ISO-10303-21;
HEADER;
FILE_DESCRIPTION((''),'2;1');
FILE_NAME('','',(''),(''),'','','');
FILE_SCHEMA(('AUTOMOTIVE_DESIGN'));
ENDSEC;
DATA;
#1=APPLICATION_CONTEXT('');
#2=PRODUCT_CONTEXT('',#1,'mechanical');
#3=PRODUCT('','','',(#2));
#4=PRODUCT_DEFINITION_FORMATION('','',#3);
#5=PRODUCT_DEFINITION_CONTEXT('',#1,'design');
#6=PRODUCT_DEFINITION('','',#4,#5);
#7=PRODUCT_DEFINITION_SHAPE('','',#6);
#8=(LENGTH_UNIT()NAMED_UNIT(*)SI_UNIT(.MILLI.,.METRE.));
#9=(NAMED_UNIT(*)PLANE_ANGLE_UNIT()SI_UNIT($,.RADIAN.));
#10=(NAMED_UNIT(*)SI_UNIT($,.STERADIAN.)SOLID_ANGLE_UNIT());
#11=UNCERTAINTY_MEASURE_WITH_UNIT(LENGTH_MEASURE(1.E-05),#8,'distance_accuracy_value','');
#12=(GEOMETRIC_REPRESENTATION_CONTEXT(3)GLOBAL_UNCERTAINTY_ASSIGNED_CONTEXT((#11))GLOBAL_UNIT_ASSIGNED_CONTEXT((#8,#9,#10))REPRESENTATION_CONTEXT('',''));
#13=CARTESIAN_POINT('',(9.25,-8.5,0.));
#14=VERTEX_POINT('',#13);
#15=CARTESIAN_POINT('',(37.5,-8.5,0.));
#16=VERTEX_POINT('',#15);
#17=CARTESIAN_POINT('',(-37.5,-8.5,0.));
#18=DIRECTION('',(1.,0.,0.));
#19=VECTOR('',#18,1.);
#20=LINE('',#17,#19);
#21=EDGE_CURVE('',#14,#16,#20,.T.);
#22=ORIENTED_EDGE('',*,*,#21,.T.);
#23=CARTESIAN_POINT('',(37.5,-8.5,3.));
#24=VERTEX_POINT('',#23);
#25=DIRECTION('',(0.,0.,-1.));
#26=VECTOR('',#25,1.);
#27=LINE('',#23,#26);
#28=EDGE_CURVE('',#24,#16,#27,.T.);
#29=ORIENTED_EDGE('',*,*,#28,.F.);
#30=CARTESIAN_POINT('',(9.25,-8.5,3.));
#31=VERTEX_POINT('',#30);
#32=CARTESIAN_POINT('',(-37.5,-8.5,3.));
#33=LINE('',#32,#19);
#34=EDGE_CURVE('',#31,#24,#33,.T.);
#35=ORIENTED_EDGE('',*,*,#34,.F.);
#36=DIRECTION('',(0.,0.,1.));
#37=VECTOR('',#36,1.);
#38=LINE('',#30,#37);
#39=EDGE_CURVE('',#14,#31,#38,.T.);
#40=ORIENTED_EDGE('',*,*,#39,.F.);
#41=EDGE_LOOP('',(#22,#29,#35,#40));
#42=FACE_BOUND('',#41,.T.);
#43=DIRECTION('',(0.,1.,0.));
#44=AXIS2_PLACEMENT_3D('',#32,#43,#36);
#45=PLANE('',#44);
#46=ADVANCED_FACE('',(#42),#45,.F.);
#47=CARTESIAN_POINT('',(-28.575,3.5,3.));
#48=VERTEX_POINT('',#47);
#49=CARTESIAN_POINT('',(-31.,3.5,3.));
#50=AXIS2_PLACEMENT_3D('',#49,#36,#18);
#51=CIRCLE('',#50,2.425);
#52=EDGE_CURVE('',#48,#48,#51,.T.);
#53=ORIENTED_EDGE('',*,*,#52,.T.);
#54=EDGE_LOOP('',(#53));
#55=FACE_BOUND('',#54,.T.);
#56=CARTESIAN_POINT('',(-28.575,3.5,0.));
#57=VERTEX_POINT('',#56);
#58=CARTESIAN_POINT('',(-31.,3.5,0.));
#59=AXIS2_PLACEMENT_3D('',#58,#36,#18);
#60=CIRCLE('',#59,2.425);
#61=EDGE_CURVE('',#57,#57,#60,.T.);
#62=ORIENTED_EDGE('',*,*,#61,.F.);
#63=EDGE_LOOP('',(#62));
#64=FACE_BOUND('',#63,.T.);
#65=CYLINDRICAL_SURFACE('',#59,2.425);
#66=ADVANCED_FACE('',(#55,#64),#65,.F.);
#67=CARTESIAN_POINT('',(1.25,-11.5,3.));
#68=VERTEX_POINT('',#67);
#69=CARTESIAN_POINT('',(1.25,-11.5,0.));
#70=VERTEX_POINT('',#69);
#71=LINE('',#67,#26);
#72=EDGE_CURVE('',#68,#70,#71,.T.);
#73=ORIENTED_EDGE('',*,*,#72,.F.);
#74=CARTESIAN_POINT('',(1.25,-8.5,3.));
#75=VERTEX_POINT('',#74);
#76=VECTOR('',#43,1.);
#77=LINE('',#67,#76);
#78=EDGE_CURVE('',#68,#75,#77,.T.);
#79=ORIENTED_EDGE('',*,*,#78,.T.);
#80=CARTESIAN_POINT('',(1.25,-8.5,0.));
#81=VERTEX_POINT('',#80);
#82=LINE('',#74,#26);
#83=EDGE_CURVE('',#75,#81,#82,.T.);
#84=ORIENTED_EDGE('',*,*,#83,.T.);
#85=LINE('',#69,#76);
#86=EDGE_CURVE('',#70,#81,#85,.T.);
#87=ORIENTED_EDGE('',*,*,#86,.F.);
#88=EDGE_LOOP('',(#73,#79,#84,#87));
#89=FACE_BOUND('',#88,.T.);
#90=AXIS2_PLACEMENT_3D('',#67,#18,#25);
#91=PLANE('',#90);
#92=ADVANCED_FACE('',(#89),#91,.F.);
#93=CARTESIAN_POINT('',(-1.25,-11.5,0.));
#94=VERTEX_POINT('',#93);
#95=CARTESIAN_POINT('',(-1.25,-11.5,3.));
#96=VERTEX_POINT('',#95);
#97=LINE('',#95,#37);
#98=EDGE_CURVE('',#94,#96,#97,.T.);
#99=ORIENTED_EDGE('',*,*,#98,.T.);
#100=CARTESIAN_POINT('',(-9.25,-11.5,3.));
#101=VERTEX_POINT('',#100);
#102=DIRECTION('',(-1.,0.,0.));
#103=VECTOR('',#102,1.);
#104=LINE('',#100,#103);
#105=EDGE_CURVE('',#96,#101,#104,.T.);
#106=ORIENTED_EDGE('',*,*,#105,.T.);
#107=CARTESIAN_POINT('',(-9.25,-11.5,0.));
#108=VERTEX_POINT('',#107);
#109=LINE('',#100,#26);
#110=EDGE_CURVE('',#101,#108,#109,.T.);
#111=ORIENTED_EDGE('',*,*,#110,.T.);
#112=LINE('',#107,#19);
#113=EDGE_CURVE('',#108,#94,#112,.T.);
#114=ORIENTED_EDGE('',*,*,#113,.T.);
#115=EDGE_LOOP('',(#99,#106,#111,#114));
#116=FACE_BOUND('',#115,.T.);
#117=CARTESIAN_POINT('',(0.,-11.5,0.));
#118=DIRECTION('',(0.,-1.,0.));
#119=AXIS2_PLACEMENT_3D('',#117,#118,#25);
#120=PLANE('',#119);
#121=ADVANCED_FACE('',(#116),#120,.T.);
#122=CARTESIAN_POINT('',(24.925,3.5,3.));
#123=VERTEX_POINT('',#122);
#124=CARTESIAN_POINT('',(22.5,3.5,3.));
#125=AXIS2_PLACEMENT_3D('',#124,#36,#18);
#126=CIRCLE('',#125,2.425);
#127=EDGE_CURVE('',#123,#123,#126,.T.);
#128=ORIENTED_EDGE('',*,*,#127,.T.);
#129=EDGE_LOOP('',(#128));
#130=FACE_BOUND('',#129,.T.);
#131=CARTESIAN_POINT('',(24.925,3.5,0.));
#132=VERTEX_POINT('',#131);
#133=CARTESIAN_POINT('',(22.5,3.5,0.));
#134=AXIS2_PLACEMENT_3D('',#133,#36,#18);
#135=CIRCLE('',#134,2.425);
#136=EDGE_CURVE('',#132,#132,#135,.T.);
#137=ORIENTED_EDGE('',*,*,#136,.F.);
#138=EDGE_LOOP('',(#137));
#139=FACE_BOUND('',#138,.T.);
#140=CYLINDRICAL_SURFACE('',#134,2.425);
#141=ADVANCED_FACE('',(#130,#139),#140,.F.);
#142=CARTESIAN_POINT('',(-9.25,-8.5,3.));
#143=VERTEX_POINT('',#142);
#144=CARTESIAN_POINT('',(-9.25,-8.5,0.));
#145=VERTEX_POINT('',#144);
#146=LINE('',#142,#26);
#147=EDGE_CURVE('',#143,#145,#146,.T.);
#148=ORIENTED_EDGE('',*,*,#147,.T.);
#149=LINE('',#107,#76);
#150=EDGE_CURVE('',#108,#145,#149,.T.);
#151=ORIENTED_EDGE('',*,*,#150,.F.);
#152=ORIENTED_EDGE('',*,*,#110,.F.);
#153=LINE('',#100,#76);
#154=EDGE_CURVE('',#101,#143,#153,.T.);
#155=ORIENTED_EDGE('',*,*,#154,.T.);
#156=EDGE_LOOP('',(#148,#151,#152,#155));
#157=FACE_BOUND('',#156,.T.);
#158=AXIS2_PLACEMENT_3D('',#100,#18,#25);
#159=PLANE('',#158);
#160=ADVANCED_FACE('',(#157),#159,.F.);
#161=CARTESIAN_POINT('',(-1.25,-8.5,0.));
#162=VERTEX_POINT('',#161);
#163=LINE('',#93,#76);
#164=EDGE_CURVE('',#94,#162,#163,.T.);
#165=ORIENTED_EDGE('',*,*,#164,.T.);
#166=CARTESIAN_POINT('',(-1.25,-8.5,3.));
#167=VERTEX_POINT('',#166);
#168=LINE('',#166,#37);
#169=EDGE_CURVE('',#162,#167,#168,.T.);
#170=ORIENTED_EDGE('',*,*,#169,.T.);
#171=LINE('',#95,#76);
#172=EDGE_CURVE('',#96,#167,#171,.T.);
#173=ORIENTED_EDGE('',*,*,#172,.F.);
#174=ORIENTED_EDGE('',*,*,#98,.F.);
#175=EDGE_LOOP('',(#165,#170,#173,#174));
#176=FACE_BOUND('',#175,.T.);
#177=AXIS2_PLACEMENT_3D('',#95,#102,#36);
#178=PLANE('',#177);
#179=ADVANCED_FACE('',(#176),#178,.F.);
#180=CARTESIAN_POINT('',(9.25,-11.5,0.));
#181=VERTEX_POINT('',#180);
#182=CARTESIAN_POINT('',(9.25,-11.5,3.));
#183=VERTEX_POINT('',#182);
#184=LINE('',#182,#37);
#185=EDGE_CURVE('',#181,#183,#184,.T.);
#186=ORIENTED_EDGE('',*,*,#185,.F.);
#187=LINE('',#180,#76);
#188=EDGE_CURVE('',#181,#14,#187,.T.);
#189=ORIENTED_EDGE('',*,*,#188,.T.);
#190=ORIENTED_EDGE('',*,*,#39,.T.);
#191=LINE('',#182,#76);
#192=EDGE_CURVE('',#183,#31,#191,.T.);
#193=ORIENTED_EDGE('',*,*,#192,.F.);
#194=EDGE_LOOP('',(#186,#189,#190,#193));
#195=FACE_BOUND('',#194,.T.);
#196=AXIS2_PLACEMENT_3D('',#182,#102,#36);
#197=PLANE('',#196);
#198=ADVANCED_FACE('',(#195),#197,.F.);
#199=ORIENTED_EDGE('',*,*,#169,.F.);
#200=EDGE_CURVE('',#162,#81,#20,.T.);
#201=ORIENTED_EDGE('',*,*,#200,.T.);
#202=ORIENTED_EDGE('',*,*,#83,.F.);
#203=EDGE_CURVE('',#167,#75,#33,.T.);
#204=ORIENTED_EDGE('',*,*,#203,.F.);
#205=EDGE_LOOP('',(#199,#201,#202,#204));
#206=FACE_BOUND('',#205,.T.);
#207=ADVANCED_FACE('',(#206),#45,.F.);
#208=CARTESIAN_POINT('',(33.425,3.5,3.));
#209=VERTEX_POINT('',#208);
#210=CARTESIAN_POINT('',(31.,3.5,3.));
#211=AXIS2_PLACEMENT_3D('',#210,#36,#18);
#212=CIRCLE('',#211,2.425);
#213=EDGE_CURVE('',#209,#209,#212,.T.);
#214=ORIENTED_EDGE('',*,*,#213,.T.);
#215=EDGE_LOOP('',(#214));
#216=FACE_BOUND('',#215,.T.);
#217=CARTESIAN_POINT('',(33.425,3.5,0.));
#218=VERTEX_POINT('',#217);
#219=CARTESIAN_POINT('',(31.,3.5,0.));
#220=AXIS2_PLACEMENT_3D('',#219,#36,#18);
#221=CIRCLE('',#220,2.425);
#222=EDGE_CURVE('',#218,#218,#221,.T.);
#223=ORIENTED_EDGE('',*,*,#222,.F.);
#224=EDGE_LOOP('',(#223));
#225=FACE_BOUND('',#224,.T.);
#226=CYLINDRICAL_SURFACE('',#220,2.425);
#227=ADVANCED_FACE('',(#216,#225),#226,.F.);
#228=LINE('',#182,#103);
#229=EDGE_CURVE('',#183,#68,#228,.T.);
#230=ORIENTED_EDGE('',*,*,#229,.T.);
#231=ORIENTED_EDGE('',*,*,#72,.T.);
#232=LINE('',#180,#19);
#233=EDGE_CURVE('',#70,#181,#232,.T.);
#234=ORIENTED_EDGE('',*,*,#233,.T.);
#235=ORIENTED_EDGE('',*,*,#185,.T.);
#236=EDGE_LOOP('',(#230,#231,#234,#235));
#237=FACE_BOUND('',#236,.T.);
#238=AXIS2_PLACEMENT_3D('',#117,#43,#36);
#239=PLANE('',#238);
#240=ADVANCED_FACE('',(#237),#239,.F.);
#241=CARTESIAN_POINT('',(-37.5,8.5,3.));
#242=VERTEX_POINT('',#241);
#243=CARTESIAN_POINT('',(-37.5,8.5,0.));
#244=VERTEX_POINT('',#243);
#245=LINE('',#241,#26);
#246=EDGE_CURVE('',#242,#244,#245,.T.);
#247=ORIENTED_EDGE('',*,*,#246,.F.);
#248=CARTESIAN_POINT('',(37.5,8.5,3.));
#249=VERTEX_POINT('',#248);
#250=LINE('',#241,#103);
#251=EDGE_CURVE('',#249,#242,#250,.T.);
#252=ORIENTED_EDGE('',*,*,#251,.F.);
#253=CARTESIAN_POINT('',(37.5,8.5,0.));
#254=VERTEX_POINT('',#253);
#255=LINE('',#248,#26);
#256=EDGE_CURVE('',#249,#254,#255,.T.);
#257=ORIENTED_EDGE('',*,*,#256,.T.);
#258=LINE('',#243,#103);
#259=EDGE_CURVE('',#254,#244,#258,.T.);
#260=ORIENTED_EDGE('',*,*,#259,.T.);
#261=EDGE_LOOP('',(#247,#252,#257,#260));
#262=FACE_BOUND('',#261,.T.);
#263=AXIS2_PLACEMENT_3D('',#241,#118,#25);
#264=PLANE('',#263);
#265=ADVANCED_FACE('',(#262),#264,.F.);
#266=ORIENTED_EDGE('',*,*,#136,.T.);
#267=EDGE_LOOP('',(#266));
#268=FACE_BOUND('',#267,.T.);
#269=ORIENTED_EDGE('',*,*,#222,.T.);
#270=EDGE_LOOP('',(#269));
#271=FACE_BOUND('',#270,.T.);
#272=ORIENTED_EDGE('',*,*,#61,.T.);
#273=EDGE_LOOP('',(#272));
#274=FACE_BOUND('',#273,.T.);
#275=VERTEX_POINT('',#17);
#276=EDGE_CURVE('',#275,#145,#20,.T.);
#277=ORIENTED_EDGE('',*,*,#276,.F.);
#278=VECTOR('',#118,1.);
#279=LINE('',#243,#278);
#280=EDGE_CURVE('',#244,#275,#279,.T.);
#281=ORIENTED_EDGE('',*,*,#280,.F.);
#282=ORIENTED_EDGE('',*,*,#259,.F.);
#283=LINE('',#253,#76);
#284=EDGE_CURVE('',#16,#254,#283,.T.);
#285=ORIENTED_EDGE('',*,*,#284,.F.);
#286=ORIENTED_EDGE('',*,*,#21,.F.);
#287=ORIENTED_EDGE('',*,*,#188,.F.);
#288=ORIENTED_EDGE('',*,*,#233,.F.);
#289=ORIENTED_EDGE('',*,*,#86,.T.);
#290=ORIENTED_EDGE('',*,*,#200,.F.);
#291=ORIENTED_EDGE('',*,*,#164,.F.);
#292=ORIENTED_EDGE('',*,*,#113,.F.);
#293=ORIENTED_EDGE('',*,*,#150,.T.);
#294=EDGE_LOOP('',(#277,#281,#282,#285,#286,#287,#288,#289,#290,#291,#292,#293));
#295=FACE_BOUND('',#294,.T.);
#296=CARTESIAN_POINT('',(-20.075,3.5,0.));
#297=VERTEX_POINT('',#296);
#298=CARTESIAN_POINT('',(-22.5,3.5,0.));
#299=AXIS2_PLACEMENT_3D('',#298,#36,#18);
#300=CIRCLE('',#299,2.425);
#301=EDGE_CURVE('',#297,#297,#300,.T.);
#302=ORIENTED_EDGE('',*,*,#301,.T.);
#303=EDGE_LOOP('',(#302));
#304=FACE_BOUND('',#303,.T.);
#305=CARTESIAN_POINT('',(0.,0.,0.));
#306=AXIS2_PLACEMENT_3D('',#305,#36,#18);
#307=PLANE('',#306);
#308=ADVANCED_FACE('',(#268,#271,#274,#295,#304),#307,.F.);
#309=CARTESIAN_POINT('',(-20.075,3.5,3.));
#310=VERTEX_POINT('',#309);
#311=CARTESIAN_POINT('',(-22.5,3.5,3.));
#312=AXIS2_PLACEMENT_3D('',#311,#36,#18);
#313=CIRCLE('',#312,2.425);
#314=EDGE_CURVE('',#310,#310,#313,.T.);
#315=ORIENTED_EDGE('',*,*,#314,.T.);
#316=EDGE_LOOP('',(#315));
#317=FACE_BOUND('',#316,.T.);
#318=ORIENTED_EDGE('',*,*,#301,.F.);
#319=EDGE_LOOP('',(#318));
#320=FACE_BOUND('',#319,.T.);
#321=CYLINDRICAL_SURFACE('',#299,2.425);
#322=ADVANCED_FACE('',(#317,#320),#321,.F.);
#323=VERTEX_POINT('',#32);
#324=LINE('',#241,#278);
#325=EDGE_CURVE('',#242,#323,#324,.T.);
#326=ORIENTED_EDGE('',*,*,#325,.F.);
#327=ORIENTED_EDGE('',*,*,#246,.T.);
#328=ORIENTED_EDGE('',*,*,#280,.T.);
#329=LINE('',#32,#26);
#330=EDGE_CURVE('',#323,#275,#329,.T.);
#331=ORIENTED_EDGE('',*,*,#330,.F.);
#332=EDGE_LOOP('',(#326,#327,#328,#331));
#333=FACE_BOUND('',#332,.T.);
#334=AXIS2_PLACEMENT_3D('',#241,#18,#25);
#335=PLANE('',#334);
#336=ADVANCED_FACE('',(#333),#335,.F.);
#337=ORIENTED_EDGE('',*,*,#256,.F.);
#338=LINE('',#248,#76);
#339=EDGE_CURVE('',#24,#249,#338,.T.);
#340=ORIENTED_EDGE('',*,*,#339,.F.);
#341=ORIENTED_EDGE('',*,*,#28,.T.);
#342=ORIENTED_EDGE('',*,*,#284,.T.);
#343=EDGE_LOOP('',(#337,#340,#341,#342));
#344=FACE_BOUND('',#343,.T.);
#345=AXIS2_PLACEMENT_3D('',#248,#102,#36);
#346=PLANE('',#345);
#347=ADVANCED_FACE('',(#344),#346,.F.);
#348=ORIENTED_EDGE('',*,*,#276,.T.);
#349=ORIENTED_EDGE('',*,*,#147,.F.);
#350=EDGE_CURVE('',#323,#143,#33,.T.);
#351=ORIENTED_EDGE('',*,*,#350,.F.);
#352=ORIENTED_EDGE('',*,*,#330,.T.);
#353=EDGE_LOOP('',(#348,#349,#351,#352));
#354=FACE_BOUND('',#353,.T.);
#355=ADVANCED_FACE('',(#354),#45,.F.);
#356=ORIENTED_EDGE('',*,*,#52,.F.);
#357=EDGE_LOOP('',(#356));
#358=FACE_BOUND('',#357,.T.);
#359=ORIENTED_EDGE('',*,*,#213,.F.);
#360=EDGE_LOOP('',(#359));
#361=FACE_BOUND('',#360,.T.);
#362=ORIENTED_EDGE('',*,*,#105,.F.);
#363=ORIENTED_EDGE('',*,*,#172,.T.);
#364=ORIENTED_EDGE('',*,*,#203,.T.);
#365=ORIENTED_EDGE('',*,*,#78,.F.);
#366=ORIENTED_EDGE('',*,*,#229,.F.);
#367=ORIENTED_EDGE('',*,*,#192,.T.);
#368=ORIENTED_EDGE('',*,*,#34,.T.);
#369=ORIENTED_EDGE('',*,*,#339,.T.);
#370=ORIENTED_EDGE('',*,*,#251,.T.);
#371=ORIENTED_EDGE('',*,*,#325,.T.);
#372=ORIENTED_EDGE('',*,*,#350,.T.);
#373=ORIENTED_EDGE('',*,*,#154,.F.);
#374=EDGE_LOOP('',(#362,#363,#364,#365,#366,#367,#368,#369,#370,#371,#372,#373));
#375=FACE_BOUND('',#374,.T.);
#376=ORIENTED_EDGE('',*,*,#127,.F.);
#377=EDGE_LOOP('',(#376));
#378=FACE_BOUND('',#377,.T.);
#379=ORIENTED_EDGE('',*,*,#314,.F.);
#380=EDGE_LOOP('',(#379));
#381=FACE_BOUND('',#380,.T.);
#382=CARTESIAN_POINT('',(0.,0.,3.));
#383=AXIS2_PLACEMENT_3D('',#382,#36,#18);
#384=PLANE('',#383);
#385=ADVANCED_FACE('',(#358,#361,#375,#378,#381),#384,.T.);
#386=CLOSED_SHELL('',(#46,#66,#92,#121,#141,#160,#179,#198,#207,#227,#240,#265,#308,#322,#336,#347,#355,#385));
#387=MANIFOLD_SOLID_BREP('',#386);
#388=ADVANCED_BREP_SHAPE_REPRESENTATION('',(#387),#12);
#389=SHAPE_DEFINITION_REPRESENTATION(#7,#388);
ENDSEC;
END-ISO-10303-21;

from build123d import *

# Parameters (mm, degrees)
SKETCH1_W           = 75
SKETCH1_H           = 17
BOSS_EXTRUDE1_DEPTH = 3
SKETCH2_W           = 8
SKETCH2_H           = 3
BOSS_EXTRUDE2_DEPTH = 3
SKETCH3_R           = 2.425
CUT_EXTRUDE1_DEPTH  = 3


with BuildPart() as part:
    # Sketch1 → Boss-Extrude1 (new body)
    with BuildSketch(Plane.XY):
        Rectangle(SKETCH1_W, SKETCH1_H)
    extrude(amount=BOSS_EXTRUDE1_DEPTH)

    # Sketch2 → Boss-Extrude2 (add)
    with BuildSketch(Plane(origin=(0, -8.5, 0), x_dir=(-1, 0, 0), z_dir=(0, -1, 0))):
        with Locations((5.25, -1.5)):
            Rectangle(SKETCH2_W, SKETCH2_H)
        with Locations((-5.25, -1.5)):
            Rectangle(SKETCH2_W, SKETCH2_H)
    extrude(amount=BOSS_EXTRUDE2_DEPTH)

    # Sketch3 → Cut-Extrude1 (cut)
    with BuildSketch(Plane.XY.offset(3)):
        with Locations((-31, 3.5)):
            Circle(SKETCH3_R)
        with Locations((-22.5, 3.5)):
            Circle(SKETCH3_R)
        with Locations((22.5, 3.5)):
            Circle(SKETCH3_R)
        with Locations((31, 3.5)):
            Circle(SKETCH3_R)
    extrude(amount=-CUT_EXTRUDE1_DEPTH, mode=Mode.SUBTRACT)


solid = part.part
